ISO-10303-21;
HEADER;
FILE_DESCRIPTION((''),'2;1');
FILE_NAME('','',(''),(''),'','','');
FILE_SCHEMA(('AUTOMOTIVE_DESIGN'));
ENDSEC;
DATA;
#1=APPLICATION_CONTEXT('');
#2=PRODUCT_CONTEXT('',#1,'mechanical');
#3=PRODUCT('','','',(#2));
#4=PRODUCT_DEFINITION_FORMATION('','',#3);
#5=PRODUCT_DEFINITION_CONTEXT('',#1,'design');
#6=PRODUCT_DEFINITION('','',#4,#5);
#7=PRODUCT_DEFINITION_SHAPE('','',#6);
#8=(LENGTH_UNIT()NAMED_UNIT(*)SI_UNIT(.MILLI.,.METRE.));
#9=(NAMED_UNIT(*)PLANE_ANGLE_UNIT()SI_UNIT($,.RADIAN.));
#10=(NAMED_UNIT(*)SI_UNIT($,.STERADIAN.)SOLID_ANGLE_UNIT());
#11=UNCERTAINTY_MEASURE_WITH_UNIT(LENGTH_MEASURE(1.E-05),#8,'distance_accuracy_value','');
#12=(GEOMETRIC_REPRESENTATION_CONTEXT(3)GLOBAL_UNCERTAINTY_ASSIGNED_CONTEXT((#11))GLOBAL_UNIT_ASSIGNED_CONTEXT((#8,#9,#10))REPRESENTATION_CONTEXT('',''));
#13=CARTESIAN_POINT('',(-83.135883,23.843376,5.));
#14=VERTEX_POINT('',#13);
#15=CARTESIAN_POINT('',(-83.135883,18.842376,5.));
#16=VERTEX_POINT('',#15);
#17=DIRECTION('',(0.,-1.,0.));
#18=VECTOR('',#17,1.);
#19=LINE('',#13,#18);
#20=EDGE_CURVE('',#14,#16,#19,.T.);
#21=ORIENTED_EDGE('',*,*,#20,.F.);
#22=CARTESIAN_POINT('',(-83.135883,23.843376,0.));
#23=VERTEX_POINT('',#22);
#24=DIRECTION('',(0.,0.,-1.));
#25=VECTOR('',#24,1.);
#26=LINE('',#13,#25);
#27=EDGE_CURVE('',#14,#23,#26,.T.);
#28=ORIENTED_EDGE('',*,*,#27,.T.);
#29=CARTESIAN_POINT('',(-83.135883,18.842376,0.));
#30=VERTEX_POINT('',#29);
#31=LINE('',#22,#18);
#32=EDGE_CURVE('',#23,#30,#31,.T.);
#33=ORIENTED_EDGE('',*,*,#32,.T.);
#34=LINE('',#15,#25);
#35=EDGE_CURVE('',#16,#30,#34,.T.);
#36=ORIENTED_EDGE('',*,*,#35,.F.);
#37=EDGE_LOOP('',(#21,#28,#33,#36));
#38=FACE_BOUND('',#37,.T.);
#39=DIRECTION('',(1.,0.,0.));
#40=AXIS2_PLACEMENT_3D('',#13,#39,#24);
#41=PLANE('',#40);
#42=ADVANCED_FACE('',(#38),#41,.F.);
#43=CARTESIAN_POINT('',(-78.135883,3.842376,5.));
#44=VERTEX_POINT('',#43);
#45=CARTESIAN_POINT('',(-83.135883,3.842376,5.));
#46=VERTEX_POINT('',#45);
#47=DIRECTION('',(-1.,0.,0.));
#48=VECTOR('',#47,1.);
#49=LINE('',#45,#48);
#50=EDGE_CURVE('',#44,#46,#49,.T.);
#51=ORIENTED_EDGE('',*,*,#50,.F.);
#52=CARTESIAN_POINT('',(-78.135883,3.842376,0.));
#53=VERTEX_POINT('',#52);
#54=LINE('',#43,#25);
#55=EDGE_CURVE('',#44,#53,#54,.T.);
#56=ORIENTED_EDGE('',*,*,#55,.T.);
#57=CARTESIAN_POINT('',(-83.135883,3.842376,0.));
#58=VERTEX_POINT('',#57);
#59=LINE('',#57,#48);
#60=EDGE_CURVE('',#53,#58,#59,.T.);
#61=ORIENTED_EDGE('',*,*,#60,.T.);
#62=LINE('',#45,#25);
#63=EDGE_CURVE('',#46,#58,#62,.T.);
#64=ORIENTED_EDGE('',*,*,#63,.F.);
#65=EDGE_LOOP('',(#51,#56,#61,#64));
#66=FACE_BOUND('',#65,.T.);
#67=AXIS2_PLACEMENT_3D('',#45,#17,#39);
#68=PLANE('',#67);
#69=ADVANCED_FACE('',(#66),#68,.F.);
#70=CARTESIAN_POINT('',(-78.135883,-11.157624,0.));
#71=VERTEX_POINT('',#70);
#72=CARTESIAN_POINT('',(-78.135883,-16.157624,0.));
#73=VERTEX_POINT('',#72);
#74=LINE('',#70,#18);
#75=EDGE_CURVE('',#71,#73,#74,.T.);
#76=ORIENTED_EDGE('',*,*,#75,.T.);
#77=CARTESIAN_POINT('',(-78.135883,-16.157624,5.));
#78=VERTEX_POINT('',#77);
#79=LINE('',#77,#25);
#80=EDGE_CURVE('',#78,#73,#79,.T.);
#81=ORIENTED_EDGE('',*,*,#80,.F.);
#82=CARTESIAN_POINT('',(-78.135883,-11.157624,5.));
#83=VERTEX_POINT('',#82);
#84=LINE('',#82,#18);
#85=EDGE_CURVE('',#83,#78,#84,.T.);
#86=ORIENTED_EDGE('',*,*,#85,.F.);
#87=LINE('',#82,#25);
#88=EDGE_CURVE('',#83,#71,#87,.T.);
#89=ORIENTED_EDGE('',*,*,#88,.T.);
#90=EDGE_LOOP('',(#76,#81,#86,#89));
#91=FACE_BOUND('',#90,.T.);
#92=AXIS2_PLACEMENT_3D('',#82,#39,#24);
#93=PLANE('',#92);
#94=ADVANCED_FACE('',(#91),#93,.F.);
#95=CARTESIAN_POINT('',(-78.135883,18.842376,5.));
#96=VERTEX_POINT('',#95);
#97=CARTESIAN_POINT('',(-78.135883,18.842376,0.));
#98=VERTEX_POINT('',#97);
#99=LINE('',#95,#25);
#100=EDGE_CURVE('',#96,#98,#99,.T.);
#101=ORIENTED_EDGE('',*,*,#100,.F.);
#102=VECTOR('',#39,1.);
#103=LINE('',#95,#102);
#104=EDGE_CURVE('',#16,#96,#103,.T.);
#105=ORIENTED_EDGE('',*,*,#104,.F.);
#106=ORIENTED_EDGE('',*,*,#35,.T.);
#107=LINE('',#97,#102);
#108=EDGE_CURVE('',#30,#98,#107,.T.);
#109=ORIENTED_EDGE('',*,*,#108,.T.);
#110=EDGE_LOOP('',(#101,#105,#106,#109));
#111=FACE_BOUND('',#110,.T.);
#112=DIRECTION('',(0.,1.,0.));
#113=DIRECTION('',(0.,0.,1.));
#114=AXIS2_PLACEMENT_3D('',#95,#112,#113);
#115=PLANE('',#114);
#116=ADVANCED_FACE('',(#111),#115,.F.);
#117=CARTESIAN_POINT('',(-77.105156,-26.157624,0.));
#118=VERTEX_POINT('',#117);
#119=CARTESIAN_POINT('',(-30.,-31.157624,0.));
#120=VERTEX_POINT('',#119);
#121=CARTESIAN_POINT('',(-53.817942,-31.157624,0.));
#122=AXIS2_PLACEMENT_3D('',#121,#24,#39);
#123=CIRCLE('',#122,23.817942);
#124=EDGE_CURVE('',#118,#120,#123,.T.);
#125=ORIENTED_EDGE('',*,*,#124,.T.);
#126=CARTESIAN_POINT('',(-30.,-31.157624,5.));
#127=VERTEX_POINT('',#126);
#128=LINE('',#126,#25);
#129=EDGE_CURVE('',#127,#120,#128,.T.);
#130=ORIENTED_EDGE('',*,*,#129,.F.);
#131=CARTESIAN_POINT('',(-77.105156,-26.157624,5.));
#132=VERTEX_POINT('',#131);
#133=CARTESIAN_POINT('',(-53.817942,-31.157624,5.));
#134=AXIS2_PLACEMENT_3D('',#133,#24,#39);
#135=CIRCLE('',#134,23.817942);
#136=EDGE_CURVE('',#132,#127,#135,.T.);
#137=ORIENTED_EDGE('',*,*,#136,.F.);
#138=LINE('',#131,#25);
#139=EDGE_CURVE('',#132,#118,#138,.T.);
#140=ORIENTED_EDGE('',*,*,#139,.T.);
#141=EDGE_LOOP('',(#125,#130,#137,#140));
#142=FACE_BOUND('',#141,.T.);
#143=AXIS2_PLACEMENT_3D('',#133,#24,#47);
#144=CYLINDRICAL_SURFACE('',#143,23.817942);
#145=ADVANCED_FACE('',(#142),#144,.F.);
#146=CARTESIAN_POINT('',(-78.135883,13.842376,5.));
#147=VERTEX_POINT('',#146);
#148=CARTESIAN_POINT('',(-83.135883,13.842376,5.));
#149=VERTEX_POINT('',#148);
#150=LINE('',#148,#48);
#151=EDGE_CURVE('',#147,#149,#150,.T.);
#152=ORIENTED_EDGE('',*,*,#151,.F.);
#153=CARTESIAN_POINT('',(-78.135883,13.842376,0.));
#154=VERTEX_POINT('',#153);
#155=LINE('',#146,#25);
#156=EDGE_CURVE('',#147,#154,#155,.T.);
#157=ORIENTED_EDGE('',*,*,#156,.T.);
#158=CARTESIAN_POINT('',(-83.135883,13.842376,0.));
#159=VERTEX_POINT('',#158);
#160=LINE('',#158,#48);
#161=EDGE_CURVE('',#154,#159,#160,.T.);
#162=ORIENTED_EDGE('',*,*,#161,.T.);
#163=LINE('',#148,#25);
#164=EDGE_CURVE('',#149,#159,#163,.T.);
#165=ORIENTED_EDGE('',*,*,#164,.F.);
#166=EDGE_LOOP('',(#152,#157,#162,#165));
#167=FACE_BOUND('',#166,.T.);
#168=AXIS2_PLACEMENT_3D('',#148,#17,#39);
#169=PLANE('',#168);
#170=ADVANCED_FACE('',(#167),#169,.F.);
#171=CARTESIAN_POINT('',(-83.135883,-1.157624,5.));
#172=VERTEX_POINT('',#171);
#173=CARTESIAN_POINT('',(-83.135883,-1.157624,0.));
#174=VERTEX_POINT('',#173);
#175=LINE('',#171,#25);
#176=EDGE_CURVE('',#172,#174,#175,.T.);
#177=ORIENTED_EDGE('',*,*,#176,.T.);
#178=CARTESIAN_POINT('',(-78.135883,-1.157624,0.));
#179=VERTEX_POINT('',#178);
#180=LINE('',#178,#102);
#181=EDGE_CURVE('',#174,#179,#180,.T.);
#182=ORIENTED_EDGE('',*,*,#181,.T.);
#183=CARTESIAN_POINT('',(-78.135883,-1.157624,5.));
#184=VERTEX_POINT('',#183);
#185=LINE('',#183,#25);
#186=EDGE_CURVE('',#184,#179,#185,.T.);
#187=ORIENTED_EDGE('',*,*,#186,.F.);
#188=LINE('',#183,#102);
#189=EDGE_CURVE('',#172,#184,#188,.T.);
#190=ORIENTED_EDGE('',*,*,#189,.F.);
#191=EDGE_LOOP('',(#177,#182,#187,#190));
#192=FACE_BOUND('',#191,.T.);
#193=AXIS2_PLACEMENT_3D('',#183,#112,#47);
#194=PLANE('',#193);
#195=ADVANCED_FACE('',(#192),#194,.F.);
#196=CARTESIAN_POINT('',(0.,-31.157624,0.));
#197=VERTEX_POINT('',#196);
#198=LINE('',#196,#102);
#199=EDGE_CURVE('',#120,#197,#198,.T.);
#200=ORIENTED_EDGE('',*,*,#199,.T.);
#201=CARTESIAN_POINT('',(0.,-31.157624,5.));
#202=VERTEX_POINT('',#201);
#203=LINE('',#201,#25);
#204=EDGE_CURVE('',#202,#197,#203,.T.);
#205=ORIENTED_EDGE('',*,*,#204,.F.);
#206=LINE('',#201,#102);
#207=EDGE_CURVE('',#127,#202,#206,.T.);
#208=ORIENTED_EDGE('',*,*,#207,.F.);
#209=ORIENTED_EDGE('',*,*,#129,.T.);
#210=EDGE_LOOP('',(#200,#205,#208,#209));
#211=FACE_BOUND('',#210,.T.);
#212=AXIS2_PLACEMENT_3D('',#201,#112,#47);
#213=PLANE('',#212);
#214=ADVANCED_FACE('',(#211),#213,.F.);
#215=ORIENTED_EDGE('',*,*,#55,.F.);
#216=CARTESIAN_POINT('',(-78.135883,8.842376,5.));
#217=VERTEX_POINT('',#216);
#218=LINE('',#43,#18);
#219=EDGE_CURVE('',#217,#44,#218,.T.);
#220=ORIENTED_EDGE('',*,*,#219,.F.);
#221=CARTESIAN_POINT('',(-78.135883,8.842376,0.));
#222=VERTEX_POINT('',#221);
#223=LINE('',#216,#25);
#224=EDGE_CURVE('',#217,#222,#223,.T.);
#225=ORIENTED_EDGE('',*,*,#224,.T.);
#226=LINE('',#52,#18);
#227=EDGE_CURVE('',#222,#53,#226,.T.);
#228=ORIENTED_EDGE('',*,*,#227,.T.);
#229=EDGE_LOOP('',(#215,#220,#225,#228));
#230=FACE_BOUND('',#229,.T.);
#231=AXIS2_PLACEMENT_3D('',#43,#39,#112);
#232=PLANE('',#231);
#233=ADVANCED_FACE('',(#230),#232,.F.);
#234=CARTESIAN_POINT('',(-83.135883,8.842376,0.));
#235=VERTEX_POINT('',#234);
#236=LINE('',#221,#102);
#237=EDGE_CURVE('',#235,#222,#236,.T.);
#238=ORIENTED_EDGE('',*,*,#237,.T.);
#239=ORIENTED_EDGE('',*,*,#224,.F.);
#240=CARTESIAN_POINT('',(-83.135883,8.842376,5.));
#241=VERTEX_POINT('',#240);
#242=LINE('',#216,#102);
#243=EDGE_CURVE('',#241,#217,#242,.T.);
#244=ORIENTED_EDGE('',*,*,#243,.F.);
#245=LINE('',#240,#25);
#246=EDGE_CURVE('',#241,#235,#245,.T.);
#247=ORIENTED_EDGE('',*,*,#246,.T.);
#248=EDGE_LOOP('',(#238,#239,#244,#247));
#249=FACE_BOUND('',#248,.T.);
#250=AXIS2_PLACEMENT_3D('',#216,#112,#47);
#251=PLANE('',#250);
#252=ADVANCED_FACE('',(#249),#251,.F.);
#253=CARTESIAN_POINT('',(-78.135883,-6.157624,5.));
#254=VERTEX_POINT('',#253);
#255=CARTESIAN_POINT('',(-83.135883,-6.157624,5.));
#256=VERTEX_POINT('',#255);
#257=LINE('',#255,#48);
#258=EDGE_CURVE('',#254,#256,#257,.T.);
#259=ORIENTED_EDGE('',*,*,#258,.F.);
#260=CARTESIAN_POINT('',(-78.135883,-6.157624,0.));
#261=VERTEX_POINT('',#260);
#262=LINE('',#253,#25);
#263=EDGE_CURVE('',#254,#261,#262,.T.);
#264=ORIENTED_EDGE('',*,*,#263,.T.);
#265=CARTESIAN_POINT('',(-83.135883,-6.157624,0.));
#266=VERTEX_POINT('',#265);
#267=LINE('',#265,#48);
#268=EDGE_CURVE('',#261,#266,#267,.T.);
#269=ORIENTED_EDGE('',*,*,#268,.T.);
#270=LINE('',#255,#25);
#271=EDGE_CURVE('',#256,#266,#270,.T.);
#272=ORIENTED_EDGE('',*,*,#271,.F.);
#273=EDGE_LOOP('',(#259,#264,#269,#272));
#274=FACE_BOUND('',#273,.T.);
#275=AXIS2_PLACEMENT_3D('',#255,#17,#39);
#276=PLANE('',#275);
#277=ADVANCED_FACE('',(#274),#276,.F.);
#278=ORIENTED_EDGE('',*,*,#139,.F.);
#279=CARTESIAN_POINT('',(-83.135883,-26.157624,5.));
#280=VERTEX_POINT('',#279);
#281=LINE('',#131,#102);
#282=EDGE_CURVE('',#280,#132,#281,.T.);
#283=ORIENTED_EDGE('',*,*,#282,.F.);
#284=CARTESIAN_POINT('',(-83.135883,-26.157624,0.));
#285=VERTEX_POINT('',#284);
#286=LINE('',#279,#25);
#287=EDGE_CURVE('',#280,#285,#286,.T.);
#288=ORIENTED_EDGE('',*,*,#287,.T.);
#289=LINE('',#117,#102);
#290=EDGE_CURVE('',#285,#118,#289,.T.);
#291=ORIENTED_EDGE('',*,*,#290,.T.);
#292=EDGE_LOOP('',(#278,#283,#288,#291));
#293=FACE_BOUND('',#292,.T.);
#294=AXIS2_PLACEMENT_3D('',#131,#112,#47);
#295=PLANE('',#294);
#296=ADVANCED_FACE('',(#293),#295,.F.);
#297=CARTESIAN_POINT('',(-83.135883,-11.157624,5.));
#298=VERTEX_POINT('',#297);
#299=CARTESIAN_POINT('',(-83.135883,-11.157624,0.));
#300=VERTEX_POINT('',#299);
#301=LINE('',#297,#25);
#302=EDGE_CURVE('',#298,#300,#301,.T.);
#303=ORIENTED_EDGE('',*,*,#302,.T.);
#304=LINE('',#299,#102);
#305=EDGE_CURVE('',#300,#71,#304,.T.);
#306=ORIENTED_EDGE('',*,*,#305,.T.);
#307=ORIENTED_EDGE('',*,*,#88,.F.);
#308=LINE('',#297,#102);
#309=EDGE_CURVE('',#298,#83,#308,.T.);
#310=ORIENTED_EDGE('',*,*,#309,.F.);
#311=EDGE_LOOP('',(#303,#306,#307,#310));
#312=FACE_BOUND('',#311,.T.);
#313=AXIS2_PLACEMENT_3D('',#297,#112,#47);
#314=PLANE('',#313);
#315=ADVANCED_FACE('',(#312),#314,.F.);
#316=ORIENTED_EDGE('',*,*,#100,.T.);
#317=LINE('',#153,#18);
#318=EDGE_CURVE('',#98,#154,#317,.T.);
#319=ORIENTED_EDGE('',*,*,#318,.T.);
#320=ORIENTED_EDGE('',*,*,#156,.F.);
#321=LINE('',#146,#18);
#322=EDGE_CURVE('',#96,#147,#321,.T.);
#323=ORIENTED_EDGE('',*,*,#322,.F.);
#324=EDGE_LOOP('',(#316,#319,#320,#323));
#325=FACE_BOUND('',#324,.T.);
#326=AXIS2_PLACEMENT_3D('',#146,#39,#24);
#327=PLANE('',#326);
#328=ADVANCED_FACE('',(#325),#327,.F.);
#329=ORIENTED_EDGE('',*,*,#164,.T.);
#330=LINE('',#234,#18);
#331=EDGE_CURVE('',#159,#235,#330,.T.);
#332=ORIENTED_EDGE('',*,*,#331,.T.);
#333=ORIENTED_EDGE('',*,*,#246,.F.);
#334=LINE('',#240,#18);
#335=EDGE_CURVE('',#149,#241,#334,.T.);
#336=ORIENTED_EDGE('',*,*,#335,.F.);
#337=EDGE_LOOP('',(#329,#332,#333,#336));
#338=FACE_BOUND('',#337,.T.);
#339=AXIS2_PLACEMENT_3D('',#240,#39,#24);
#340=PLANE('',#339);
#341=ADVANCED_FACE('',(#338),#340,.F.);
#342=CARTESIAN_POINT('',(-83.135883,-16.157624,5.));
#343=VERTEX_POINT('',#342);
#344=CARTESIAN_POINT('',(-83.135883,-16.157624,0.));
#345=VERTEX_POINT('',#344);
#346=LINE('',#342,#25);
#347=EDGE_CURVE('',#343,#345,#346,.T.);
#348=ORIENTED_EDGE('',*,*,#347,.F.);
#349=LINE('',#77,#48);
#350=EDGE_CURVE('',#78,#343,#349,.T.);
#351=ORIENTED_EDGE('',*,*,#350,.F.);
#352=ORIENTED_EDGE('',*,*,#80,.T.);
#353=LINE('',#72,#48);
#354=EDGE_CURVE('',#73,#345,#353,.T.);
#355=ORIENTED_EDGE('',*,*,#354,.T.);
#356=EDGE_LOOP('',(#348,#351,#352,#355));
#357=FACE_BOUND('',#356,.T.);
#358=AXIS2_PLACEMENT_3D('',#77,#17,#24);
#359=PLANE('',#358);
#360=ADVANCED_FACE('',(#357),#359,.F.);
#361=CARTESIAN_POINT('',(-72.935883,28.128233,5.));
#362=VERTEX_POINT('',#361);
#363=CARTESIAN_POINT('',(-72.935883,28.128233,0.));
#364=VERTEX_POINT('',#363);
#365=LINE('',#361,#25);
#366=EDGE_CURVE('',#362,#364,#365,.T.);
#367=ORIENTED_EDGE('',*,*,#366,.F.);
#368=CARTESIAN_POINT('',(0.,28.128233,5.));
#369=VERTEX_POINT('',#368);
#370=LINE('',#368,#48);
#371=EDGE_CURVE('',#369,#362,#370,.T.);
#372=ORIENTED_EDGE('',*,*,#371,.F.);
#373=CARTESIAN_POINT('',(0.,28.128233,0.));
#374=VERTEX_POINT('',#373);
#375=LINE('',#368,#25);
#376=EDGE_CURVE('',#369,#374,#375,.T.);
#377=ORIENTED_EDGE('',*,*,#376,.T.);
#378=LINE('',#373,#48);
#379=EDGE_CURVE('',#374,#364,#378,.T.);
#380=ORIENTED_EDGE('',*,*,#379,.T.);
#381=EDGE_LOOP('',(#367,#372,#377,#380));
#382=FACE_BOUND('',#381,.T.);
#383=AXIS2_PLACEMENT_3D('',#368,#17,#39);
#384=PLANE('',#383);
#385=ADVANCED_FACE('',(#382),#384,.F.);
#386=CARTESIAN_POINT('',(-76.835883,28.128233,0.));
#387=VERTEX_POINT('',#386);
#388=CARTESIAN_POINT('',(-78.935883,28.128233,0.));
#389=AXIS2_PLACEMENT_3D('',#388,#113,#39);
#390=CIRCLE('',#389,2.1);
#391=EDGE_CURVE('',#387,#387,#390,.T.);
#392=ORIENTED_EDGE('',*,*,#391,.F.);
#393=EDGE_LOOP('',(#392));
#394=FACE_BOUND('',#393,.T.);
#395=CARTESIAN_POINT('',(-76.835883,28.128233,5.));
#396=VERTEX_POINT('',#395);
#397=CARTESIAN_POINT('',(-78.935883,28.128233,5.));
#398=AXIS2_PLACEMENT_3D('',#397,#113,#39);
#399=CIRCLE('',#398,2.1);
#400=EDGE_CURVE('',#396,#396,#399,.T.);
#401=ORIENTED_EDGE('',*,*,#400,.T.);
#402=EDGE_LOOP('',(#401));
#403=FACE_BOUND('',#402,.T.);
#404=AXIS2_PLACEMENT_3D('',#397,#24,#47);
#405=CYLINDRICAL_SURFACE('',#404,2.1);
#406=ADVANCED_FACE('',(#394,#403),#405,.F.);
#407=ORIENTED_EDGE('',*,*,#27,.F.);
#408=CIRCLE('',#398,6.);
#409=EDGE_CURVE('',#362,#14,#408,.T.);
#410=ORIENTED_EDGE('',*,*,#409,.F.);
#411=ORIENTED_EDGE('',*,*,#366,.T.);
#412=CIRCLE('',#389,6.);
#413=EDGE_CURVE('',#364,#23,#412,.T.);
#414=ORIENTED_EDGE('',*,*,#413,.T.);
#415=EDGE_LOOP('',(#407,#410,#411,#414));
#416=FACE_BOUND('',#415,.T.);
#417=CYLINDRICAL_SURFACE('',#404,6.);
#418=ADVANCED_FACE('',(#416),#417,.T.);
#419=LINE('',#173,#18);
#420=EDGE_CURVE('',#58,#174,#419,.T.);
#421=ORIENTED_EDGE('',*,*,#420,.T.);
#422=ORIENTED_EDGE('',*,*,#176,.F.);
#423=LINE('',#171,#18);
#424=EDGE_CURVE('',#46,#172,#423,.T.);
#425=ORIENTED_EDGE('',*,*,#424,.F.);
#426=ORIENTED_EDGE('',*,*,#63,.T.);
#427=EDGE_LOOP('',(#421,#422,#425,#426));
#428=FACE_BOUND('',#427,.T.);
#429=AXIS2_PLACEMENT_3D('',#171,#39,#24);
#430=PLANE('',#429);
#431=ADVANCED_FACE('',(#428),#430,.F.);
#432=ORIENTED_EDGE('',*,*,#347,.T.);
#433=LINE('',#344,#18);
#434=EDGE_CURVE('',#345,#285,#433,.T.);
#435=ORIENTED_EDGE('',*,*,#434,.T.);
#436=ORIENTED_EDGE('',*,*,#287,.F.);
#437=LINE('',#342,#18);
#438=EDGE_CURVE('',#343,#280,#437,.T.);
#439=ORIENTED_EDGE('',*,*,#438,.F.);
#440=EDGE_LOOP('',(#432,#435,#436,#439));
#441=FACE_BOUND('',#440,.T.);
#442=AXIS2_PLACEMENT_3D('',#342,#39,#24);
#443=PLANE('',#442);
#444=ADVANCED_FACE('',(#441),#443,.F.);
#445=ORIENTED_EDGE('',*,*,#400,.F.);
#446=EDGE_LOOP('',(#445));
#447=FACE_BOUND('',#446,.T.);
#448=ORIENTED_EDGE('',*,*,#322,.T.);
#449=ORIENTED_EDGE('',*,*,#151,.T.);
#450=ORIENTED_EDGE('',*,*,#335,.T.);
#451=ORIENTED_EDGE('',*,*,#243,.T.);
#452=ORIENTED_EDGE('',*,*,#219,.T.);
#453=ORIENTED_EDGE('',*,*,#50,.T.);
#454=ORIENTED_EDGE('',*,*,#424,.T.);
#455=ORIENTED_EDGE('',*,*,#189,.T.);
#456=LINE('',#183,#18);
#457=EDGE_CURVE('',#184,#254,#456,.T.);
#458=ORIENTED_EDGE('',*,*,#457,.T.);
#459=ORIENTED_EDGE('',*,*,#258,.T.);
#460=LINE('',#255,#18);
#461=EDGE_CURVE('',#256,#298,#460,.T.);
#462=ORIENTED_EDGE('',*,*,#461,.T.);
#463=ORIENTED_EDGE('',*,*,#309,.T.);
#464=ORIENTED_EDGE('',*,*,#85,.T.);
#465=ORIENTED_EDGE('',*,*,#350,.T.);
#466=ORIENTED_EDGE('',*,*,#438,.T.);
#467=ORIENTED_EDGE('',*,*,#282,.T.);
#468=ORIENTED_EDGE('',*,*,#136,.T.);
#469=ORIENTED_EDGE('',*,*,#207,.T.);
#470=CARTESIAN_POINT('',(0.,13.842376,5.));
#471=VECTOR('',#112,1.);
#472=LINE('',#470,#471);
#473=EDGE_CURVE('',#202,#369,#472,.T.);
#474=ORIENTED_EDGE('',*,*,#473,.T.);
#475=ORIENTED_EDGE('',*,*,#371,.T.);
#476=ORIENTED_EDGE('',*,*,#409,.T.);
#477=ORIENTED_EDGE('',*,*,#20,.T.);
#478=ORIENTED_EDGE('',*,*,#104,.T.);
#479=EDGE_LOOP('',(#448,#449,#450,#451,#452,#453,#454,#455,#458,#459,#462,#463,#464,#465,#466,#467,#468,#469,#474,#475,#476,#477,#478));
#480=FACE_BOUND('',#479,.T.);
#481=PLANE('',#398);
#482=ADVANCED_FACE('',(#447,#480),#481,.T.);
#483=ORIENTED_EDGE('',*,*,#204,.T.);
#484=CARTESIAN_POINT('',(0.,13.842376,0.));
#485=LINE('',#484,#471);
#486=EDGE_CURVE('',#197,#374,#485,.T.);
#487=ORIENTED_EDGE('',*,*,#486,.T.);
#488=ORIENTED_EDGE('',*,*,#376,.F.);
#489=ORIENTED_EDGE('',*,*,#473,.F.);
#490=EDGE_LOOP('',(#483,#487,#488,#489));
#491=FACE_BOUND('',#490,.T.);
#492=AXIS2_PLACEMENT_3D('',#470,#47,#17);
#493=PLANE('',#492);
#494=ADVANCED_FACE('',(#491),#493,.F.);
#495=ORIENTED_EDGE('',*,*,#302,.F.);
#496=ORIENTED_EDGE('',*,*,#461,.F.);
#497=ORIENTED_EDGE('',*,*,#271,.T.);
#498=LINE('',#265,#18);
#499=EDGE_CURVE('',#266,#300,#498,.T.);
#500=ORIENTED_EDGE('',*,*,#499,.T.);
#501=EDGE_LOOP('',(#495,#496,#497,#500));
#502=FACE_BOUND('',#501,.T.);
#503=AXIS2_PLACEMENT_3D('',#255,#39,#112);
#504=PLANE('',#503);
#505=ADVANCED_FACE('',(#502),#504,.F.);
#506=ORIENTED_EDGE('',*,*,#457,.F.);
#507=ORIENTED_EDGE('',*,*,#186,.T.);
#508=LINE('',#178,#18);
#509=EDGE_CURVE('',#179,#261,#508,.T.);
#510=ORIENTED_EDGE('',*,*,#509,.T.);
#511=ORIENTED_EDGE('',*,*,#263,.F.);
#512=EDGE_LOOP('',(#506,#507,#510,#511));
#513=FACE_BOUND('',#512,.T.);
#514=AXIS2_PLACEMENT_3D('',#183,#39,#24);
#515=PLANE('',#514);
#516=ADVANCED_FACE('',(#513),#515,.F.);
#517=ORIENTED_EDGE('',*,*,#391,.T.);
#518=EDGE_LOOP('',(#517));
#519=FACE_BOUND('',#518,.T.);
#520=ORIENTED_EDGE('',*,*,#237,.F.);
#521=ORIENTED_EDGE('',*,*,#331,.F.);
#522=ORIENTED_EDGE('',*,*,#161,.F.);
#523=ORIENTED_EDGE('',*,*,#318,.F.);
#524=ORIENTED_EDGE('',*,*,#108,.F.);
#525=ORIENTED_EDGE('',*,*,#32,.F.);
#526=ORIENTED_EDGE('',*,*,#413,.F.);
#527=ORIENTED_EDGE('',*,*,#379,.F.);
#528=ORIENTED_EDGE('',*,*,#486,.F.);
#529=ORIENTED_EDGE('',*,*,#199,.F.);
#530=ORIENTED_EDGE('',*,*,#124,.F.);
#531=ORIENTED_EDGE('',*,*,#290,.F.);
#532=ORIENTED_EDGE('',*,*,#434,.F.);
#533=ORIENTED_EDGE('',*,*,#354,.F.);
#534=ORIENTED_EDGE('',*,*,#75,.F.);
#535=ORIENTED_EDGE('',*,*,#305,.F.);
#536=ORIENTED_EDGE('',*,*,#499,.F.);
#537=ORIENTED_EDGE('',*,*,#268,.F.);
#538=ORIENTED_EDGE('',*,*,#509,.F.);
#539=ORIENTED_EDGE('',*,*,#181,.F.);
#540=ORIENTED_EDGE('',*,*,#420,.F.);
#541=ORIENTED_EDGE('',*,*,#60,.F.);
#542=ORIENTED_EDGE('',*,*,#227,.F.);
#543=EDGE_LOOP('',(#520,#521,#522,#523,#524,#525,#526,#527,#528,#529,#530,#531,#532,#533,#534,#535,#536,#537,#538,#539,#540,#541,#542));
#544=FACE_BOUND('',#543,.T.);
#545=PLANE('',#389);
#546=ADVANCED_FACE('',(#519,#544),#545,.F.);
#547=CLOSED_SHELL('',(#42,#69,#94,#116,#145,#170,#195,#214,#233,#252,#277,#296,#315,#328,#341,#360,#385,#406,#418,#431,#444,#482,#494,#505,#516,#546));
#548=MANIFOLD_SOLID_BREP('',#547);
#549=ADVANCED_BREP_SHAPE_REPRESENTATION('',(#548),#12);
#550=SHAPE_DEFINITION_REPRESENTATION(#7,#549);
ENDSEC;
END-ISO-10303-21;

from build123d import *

# Parameters (mm, degrees)
ESQUISSE1_R        = 2.1
BOSS_EXTRU_1_DEPTH = 5


with BuildPart() as part:
    # Esquisse1 → Boss.-Extru.1 (new body)
    with BuildSketch(Plane.XY):
        with BuildLine():
            Line((-78.135883383, 18.842375861), (-83.135883383, 18.842375861))
            Line((-83.135883383, 18.842375861), (-83.135883383, 23.843375961))
            ThreePointArc((-83.135883383, 23.843375961), (-84.935883383, 28.128233018), (-83.135883383, 32.413090075))
            ThreePointArc((-83.135883383, 32.413090075), (-76.612093375, 33.659959692), (-72.935883383, 28.128233018))
            Line((-72.935883383, 28.128233018), (0, 28.128233018))
            Line((0, 28.128233018), (0, 13.842375861))
            Line((0, 13.842375861), (0, -31.157624139))
            Line((0, -31.157624139), (-30, -31.157624139))
            ThreePointArc((-30, -31.157624139), (-51.303897557, -7.472735951), (-77.105155917, -26.157624139))
            Line((-77.105155917, -26.157624139), (-83.135883383, -26.157624139))
            Line((-83.135883383, -26.157624139), (-83.135883383, -16.157624139))
            Line((-83.135883383, -16.157624139), (-78.135883383, -16.157624139))
            Line((-78.135883383, -16.157624139), (-78.135883383, -11.157624139))
            Line((-78.135883383, -11.157624139), (-83.135883383, -11.157624139))
            Line((-83.135883383, -11.157624139), (-83.135883383, -6.157624139))
            Line((-83.135883383, -6.157624139), (-78.135883383, -6.157624139))
            Line((-78.135883383, -6.157624139), (-78.135883383, -1.157624139))
            Line((-78.135883383, -1.157624139), (-83.135883383, -1.157624139))
            Line((-83.135883383, -1.157624139), (-83.135883383, 3.842375861))
            Line((-83.135883383, 3.842375861), (-78.135883383, 3.842375861))
            Line((-78.135883383, 3.842375861), (-78.135883383, 8.842375861))
            Line((-78.135883383, 8.842375861), (-83.135883383, 8.842375861))
            Line((-83.135883383, 8.842375861), (-83.135883383, 13.842375861))
            Line((-83.135883383, 13.842375861), (-78.135883383, 13.842375861))
            Line((-78.135883383, 13.842375861), (-78.135883383, 18.842375861))
        make_face()
        with Locations((-78.935883383, 28.128233018)):
            Circle(ESQUISSE1_R, mode=Mode.SUBTRACT)
    extrude(amount=BOSS_EXTRU_1_DEPTH)


solid = part.part
